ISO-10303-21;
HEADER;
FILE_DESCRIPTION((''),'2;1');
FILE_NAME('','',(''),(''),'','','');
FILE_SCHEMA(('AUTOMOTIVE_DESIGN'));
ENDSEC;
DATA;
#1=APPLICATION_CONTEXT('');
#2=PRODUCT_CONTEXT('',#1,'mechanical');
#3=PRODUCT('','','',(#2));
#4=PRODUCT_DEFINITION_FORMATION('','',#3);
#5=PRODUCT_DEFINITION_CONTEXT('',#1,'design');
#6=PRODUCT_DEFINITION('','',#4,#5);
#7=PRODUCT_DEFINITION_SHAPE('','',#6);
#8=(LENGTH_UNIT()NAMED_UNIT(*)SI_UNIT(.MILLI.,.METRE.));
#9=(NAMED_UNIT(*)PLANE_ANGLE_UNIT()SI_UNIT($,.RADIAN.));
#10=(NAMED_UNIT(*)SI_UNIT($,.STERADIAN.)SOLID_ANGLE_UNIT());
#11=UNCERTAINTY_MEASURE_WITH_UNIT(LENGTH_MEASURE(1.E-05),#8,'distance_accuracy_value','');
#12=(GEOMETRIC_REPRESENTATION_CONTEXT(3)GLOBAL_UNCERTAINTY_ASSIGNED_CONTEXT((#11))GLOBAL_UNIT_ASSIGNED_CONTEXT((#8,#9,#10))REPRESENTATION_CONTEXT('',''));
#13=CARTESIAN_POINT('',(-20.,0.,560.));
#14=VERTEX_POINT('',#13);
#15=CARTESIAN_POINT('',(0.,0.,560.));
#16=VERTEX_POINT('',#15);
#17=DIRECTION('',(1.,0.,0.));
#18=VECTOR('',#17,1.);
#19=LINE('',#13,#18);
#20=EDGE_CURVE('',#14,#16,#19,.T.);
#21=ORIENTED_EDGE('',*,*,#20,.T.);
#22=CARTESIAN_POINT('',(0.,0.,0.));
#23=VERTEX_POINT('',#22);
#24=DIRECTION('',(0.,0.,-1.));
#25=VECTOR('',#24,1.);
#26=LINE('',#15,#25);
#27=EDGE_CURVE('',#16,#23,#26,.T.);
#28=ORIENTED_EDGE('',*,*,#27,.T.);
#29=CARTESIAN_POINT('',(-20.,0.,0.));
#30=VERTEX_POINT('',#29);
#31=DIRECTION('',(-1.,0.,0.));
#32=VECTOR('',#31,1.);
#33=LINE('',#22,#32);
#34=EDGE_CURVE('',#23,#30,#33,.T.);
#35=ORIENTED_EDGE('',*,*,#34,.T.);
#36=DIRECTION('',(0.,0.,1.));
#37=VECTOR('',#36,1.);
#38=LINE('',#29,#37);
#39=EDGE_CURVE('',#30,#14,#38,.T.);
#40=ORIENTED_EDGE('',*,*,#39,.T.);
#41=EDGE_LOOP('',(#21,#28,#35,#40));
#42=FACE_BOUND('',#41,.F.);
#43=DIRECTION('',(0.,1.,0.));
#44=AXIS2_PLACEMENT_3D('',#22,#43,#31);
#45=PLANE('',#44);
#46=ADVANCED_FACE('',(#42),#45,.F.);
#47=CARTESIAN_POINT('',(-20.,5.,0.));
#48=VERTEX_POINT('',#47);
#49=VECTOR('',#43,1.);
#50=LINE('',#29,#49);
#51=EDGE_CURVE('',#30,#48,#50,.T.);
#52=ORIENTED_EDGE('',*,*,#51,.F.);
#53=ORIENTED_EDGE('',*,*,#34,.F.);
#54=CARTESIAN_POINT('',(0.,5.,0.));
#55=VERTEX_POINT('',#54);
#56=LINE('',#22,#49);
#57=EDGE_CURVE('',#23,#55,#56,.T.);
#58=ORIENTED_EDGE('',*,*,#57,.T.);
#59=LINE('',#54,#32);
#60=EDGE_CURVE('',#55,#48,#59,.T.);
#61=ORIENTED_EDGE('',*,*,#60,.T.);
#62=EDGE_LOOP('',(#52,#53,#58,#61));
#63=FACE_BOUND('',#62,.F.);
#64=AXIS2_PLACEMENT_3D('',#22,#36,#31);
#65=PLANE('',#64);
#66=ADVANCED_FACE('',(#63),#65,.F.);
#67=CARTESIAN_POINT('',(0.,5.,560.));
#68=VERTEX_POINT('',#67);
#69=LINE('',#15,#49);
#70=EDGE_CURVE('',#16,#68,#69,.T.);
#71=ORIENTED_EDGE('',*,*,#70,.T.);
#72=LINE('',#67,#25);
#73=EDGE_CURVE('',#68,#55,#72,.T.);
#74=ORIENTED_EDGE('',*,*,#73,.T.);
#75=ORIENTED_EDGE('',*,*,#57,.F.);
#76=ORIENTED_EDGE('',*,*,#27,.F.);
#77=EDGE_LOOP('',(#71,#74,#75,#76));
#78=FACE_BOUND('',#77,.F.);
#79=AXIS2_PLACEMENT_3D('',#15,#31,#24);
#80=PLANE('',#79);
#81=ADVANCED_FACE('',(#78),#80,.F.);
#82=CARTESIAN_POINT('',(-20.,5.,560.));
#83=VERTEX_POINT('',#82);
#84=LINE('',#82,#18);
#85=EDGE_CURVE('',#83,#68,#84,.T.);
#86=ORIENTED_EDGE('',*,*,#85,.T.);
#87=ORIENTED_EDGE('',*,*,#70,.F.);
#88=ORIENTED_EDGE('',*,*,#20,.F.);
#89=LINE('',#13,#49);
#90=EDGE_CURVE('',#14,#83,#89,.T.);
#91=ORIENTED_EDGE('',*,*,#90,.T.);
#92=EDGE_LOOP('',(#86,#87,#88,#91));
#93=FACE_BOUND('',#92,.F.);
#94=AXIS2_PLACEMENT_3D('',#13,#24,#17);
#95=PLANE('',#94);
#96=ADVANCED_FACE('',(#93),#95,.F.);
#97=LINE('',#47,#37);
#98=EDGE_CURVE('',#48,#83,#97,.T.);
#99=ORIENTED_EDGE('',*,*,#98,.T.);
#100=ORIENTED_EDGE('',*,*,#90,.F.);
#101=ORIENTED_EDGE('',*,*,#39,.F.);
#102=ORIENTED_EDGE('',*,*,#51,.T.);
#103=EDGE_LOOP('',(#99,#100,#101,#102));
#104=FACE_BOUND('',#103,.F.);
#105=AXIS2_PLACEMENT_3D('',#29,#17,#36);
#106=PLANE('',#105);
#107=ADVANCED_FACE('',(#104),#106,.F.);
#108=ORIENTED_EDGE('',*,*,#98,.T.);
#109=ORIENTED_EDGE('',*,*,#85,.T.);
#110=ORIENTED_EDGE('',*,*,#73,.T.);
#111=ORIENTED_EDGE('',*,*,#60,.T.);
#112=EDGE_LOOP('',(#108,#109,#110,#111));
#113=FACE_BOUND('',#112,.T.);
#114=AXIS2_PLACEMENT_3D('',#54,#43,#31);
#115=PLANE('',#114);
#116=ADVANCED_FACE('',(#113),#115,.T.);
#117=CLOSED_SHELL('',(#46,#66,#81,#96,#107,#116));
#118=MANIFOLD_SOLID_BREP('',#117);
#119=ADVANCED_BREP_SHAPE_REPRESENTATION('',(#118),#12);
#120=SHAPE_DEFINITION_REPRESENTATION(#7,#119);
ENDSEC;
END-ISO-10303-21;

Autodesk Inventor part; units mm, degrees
ref_plane "YZ Plane" through (0, 0, 0) normal (1, 0, 0) x (0, 1, 0)
ref_plane "XZ Plane" through (0, 0, 0) normal (0, 1, 0) x (-1, 0, 0)
ref_plane "XY Plane" through (0, 0, 0) normal (0, 0, 1) x (1, 0, 0)
sketch "Sketch1" plane through (0, 0, 0) normal (0, 1, 0) x (-1, 0, 0)
  line L0 (0, 0) -> (20, 0)
  line L1 (20, 0) -> (20, 560)
  line L2 (20, 560) -> (0, 560)
  line L3 (0, 560) -> (0, 0)
  dimension "d2" = 560
  dimension "d3" = 20
extrude "Extrusion1" add sketch "Sketch1" along normal blind 5
properties part number "rail_plate" material "Wood (Birch)"
